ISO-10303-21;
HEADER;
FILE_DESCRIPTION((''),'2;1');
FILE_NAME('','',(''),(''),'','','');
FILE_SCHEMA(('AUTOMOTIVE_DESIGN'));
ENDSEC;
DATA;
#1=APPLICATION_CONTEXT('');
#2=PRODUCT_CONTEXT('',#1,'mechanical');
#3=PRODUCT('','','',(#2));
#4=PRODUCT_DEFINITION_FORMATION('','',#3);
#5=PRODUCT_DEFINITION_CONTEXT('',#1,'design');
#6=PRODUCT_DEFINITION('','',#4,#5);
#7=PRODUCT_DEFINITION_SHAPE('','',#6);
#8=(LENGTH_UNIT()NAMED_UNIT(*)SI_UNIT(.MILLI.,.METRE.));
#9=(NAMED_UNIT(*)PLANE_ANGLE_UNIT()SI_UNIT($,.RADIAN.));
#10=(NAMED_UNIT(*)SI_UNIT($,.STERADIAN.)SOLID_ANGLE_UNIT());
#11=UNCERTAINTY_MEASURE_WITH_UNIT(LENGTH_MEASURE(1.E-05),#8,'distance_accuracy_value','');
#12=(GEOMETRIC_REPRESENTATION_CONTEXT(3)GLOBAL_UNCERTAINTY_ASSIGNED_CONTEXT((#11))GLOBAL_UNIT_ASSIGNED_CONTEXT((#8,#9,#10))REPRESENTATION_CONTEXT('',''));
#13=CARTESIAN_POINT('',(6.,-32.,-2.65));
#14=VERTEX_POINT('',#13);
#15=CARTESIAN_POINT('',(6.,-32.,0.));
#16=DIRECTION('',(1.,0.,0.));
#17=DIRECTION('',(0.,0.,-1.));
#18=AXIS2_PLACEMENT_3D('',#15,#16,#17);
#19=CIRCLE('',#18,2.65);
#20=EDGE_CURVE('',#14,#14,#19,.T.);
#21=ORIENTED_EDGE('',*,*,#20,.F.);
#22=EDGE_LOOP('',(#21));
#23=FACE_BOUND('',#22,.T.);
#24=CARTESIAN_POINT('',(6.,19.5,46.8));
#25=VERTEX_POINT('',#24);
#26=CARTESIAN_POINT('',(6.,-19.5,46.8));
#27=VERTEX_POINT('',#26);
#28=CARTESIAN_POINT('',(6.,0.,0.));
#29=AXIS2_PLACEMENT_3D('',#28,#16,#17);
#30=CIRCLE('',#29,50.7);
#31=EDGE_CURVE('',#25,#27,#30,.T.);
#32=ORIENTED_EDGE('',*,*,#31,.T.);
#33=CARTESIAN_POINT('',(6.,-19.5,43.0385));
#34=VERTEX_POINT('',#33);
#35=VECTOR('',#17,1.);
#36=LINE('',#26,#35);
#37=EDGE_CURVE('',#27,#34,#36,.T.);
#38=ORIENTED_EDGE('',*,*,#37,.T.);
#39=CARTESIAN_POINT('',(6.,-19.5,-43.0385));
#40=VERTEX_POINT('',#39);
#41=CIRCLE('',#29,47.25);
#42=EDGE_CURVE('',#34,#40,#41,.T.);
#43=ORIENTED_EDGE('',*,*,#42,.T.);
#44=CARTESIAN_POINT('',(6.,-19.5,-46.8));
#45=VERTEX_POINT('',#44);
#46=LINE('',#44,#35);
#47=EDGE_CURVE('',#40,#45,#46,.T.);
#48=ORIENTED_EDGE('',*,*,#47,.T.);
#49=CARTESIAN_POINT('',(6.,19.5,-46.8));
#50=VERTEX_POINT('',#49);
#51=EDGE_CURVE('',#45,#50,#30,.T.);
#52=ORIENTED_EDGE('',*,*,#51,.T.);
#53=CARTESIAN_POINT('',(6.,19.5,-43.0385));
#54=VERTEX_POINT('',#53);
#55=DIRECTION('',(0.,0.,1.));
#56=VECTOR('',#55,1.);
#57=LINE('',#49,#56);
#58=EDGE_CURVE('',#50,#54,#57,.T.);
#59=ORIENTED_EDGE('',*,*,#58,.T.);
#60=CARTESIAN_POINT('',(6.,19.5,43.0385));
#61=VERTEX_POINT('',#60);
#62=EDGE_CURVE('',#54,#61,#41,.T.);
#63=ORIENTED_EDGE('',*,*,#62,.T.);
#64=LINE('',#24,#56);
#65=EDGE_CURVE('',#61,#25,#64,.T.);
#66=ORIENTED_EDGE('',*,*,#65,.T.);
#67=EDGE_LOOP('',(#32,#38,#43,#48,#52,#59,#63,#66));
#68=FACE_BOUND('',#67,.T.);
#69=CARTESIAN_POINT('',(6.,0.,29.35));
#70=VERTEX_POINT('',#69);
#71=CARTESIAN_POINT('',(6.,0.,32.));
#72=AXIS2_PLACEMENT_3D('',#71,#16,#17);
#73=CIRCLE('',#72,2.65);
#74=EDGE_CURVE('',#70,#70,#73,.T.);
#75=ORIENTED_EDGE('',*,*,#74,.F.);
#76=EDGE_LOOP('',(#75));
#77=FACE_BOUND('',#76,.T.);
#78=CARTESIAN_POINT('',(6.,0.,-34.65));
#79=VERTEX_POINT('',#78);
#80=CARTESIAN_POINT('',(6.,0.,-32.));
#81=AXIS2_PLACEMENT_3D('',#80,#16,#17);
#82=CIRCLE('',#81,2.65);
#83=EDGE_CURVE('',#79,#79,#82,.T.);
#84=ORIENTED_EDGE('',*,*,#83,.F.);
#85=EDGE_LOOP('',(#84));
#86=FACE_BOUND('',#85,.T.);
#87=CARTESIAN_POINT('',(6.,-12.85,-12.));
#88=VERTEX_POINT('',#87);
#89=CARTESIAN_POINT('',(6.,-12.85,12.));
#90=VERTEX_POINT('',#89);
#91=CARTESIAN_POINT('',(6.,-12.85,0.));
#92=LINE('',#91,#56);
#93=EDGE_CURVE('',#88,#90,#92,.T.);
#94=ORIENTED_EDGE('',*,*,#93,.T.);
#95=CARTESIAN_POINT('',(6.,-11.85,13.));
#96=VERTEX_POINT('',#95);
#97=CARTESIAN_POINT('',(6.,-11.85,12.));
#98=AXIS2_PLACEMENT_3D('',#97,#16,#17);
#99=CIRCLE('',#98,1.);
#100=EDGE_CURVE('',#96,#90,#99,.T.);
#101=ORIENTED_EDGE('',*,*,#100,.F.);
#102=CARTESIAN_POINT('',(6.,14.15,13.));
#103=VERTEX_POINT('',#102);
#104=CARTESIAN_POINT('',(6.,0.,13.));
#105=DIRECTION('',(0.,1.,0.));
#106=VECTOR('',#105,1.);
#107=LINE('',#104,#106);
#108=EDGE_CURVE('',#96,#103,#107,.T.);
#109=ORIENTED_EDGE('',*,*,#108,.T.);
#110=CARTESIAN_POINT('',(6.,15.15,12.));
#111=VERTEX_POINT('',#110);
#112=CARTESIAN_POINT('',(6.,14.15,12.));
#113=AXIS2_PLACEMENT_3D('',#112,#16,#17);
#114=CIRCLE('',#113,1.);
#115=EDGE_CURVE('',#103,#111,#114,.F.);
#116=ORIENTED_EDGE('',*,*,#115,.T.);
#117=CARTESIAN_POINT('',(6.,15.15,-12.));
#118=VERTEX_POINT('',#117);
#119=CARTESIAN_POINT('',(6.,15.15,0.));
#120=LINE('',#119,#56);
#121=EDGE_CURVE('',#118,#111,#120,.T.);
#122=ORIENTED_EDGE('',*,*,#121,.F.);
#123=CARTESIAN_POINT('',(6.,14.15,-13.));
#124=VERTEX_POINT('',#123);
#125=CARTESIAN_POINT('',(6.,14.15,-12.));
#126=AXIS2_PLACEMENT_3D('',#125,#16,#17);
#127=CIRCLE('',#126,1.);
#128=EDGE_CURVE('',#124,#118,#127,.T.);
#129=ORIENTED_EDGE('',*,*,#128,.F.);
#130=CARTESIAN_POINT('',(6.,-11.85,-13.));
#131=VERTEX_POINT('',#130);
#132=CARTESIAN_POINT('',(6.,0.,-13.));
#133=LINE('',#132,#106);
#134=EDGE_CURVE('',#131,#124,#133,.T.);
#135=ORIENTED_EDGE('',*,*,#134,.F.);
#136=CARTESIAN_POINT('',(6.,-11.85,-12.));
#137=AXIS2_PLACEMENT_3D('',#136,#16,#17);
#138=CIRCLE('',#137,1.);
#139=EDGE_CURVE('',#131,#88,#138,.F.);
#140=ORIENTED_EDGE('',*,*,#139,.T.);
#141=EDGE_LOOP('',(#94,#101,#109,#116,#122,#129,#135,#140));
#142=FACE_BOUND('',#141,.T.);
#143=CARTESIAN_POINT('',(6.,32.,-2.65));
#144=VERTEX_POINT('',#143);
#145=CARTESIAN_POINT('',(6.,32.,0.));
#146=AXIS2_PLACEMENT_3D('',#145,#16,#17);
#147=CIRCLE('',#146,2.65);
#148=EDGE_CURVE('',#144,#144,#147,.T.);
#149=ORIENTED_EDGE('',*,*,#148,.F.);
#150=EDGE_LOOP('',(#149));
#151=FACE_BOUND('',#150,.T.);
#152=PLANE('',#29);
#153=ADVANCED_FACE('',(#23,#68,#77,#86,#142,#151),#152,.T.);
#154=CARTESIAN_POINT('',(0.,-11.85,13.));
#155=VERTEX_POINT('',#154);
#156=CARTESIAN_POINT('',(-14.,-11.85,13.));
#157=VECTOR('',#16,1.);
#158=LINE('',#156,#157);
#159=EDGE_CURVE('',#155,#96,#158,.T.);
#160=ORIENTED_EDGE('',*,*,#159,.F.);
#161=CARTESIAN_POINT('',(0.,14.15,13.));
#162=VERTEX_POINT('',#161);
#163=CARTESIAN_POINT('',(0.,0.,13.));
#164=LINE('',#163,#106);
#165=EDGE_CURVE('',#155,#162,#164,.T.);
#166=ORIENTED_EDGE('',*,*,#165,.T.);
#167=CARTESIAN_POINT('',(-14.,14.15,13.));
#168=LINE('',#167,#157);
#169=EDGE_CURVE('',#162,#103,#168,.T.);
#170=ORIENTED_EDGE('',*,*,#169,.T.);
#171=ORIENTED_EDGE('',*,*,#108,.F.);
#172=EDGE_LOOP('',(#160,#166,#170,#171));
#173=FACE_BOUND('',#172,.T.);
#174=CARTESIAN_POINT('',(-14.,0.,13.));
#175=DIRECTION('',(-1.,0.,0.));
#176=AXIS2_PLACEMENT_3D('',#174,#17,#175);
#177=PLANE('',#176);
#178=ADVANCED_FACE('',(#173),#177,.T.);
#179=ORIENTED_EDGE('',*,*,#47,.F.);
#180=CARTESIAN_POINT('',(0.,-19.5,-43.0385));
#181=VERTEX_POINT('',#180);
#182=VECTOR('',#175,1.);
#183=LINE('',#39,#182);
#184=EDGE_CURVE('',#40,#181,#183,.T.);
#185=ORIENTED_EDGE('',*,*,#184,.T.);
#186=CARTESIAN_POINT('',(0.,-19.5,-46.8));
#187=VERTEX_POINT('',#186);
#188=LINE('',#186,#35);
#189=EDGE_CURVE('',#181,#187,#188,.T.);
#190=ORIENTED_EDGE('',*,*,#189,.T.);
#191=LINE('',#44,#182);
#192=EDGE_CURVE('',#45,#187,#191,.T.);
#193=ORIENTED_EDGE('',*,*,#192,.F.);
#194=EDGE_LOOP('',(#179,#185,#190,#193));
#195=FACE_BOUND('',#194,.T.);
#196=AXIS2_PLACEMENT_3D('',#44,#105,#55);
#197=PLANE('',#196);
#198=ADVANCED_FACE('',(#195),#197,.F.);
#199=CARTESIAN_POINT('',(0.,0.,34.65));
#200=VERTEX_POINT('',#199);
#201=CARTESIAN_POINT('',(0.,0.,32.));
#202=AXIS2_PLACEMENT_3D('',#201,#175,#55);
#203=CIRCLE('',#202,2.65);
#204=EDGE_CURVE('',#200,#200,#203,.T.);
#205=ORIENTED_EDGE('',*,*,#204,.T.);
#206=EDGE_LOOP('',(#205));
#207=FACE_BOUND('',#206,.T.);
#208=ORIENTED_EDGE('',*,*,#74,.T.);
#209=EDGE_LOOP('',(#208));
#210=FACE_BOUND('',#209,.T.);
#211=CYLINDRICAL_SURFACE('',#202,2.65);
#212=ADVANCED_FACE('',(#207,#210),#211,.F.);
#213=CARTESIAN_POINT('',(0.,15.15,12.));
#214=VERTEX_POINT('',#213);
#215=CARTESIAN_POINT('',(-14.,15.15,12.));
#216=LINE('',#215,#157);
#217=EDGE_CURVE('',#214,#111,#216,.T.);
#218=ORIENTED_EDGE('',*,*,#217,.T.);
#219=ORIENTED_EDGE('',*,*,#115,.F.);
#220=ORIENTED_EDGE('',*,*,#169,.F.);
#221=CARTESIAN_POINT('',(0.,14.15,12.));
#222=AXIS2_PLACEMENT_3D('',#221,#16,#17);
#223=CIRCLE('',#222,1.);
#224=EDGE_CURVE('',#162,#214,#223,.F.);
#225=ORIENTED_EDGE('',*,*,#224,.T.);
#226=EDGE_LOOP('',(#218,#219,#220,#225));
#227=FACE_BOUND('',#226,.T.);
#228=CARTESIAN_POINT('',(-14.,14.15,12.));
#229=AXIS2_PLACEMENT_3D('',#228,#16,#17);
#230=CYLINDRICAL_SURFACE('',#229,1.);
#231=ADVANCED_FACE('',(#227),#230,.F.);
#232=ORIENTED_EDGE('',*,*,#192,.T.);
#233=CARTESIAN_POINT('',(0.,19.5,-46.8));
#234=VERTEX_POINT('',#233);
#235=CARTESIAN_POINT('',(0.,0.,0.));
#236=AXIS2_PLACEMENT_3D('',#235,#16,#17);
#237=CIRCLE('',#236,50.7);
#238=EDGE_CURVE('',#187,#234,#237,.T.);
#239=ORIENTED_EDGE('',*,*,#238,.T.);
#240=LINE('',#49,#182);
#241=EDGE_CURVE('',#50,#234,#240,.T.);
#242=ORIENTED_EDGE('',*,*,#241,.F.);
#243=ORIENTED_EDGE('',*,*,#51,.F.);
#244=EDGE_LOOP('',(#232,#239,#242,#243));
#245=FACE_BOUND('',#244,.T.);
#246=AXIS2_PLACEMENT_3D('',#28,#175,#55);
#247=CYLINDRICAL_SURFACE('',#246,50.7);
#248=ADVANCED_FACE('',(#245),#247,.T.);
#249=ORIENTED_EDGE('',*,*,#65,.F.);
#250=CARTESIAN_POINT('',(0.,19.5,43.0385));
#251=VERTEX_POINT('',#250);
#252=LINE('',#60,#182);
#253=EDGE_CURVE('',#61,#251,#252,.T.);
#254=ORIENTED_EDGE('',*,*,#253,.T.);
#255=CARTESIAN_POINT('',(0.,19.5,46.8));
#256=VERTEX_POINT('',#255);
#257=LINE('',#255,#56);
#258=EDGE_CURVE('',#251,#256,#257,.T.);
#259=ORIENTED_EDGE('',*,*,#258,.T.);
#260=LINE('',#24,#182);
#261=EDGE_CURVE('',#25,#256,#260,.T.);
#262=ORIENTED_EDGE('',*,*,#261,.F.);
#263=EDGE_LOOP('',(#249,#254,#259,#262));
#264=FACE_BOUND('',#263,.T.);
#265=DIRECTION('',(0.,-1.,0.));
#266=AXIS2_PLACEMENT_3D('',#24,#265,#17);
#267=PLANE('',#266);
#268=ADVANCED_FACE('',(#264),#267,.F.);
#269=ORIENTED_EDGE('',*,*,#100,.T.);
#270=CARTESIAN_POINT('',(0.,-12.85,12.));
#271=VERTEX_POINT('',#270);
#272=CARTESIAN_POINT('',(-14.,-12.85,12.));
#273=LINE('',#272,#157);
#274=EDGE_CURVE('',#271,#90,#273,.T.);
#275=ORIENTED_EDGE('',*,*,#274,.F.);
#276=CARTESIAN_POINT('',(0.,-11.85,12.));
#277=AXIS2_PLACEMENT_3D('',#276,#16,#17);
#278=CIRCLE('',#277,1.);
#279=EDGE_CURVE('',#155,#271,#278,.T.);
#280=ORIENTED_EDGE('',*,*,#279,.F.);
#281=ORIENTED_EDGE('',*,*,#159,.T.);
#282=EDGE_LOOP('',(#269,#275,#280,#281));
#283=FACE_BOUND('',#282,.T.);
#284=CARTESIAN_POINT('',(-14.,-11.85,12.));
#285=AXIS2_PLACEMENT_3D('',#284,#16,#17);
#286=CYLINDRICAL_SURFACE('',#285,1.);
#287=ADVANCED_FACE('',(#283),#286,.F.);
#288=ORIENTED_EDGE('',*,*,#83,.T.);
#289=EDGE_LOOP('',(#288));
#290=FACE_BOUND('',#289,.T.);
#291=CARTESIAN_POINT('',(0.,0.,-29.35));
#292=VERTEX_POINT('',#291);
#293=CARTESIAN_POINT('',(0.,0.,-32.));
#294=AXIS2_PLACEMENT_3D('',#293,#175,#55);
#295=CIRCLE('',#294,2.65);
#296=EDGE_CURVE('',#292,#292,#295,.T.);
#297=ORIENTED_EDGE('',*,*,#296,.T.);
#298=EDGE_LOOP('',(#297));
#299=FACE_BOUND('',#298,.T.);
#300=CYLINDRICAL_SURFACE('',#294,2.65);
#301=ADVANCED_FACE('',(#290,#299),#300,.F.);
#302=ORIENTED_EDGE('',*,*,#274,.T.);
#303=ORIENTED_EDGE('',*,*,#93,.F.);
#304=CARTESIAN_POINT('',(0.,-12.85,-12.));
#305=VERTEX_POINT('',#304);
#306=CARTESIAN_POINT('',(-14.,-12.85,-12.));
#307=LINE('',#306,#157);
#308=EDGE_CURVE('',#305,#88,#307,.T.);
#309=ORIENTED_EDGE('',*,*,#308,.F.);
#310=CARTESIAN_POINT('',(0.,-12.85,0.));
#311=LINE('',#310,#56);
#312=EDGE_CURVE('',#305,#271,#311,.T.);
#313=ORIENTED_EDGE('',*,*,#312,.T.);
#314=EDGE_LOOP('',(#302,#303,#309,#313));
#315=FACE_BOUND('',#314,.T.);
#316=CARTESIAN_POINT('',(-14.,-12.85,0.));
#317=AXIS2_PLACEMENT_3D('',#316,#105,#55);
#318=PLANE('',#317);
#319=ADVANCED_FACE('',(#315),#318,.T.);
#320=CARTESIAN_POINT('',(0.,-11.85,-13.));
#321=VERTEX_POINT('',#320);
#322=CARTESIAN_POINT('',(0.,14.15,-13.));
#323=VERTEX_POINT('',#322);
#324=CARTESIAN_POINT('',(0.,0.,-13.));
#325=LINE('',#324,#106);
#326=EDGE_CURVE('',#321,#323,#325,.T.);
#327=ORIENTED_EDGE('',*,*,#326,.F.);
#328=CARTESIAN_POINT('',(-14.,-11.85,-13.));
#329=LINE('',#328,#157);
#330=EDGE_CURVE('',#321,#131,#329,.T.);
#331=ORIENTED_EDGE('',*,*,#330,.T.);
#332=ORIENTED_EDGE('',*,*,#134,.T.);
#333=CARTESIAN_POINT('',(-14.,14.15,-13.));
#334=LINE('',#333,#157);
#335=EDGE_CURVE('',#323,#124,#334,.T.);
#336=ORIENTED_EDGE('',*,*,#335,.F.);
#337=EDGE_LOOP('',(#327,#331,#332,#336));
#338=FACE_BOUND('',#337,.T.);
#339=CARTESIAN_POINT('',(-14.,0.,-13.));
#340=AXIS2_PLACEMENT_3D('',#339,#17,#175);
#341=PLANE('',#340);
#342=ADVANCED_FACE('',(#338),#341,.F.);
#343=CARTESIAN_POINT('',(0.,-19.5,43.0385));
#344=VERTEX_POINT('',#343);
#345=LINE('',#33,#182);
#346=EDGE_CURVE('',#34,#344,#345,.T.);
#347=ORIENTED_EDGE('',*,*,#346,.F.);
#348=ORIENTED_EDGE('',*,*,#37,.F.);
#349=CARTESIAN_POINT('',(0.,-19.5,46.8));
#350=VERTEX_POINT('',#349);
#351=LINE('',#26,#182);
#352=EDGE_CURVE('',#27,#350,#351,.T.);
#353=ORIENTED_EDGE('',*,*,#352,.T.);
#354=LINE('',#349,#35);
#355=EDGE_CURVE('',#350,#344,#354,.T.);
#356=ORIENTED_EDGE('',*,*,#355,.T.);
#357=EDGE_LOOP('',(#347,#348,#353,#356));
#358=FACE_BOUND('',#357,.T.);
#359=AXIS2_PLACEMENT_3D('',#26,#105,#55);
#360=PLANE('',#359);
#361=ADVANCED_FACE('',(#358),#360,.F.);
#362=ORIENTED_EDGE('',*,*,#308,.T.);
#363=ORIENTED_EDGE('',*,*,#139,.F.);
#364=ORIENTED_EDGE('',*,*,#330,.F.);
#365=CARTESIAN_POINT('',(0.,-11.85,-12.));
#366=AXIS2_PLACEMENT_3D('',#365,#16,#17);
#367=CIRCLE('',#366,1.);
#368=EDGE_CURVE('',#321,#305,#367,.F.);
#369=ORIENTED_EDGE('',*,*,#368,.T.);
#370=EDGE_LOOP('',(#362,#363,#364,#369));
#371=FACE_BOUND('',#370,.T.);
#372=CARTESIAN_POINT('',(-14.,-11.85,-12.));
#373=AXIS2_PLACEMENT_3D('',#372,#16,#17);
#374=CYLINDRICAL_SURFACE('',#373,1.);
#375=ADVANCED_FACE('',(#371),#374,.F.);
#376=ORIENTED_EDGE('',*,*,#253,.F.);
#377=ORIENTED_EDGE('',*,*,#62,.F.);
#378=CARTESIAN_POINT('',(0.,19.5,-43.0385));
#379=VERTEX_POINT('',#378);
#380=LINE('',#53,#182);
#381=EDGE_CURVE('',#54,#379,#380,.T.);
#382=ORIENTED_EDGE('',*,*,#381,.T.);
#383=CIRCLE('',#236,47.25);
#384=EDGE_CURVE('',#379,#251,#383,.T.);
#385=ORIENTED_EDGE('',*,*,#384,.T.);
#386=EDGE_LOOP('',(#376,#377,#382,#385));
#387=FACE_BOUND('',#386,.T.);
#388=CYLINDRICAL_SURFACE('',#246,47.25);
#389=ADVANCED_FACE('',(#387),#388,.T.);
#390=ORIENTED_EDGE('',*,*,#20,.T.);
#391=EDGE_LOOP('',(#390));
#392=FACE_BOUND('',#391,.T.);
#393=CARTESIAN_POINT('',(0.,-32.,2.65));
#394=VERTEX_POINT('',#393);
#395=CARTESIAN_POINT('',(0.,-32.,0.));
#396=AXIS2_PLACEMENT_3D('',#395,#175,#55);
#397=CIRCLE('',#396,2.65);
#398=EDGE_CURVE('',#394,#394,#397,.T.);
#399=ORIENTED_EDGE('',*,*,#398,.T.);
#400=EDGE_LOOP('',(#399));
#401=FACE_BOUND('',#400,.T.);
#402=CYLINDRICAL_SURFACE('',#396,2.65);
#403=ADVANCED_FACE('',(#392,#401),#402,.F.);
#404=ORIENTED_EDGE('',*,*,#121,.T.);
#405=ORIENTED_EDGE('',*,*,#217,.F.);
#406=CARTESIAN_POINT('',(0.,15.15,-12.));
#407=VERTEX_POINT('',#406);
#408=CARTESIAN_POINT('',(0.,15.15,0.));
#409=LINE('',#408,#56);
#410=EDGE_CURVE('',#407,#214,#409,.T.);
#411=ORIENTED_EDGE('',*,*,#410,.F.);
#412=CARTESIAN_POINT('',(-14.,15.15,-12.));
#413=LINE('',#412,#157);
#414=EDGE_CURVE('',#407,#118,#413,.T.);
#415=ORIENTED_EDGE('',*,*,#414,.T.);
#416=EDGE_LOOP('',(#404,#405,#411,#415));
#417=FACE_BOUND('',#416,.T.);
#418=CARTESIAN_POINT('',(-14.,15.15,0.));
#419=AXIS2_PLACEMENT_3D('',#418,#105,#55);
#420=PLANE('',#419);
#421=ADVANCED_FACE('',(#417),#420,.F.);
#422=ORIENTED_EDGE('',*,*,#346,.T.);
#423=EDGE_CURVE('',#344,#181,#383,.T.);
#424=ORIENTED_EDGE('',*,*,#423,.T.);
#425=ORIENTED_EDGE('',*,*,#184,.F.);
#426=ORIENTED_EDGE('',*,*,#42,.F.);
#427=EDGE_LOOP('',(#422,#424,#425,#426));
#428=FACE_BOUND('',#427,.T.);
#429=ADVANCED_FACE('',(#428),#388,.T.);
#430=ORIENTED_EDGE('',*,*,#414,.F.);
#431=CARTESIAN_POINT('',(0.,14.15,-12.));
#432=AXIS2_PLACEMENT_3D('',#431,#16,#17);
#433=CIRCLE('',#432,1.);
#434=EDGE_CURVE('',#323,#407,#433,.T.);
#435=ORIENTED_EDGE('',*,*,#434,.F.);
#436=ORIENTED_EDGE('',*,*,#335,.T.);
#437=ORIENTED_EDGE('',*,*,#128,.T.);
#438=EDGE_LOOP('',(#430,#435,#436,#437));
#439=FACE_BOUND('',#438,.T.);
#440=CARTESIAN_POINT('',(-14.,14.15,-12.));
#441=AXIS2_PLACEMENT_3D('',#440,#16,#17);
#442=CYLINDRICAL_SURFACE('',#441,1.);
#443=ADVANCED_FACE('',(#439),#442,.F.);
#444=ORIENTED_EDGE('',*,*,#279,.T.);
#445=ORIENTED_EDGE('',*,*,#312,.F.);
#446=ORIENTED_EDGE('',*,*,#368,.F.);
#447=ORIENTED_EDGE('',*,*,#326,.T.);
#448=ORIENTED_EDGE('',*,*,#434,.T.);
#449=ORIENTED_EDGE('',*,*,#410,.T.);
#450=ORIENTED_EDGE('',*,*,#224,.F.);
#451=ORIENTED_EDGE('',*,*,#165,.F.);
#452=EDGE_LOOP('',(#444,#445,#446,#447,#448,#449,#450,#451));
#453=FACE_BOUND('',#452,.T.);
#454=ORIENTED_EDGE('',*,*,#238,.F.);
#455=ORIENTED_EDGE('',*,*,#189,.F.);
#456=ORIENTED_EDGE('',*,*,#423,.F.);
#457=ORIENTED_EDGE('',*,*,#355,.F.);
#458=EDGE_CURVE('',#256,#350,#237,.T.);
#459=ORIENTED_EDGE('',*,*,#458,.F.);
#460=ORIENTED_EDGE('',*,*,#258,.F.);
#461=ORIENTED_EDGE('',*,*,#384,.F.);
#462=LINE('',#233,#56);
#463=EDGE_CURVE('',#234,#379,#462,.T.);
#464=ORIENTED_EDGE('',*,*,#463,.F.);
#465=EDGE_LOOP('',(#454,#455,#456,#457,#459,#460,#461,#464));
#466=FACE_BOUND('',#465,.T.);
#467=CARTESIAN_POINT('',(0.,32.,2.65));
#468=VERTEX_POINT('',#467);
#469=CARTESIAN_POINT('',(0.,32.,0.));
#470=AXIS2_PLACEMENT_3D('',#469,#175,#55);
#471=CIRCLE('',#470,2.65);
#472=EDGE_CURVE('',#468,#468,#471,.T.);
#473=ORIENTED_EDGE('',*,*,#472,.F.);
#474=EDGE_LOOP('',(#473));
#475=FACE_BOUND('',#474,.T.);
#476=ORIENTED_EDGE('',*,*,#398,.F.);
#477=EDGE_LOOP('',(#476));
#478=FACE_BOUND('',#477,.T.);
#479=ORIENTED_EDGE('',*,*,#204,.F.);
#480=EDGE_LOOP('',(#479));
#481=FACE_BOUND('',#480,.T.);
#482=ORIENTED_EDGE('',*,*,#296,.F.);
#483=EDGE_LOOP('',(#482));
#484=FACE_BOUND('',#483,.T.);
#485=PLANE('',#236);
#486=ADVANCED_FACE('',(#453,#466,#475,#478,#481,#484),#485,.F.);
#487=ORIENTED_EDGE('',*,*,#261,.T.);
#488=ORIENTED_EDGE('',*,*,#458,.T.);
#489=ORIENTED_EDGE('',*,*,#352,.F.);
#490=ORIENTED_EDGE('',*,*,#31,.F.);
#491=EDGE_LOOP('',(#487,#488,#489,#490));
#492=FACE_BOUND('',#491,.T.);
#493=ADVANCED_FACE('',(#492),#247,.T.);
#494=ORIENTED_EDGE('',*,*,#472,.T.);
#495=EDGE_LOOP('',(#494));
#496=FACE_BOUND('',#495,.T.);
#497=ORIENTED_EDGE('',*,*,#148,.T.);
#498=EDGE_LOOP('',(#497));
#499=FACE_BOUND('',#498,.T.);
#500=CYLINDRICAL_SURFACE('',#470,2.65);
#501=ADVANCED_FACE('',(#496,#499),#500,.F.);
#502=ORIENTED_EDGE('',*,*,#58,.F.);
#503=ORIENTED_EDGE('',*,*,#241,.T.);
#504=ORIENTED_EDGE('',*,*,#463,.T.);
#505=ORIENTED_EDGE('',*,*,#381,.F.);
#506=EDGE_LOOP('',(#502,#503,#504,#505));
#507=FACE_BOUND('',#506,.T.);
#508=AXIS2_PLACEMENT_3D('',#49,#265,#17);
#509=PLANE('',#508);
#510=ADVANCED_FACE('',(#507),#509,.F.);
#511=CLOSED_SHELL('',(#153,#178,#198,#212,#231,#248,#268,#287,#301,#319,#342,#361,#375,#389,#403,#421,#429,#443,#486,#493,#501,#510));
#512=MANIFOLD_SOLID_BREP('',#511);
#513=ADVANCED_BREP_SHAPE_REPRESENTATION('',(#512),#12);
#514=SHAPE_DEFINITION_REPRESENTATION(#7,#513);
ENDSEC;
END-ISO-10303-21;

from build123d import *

# Parameters (mm, degrees)
BOSS_EXTRUDE1_DEPTH      = 6
CUT_EXTRUDE1_DEPTH       = 20
M5_CLEARANCE_HOLE1_D     = 5.3
M5_CLEARANCE_HOLE1_DEPTH = 15
M5_CLEARANCE_HOLE1_TIP   = 1.59228064


with BuildPart() as part:
    # Sketch1 → Boss-Extrude1 (new body)
    with BuildSketch(Plane(origin=(0, 0, 0), x_dir=(0, 0, -1), z_dir=(1, 0, 0))):
        with BuildLine():
            Line((-46.8, 19.5), (-43.038500206, 19.5))
            ThreePointArc((-43.038500206, 19.5), (0, 47.25), (43.038500206, 19.5))
            Line((43.038500206, 19.5), (46.8, 19.5))
            ThreePointArc((46.8, 19.5), (50.7, 0), (46.8, -19.5))
            Line((46.8, -19.5), (43.038500206, -19.5))
            ThreePointArc((43.038500206, -19.5), (0, -47.25), (-43.038500206, -19.5))
            Line((-43.038500206, -19.5), (-46.8, -19.5))
            ThreePointArc((-46.8, -19.5), (-50.7, 0), (-46.8, 19.5))
        make_face()
    extrude(amount=BOSS_EXTRUDE1_DEPTH)

    # Sketch2 → Cut-Extrude1 (cut)
    with BuildSketch(Plane(origin=(6, 0, 0), x_dir=(0, 0, -1), z_dir=(1, 0, 0))):
        with BuildLine():
            ThreePointArc((12, -11.85), (12.707106781, -11.557106781), (13, -10.85))
            Line((13, -10.85), (13, -3.85))
            Line((13, -3.85), (13, 14.15))
            ThreePointArc((13, 14.15), (12.707106781, 14.857106781), (12, 15.15))
            Line((12, 15.15), (-12, 15.15))
            ThreePointArc((-12, 15.15), (-12.707106781, 14.857106781), (-13, 14.15))
            Line((-13, 14.15), (-13, -3.85))
            Line((-13, -3.85), (-13, -10.85))
            ThreePointArc((-13, -10.85), (-12.707106781, -11.557106781), (-12, -11.85))
            Line((-12, -11.85), (12, -11.85))
        make_face()
        with BuildLine():
            Line((-12, -12.85), (12, -12.85))
            ThreePointArc((12, -12.85), (12.707106781, -12.557106781), (13, -11.85))
            Line((13, -11.85), (13, -10.85))
            ThreePointArc((13, -10.85), (12.707106781, -11.557106781), (12, -11.85))
            Line((12, -11.85), (-12, -11.85))
            ThreePointArc((-12, -11.85), (-12.707106781, -11.557106781), (-13, -10.85))
            Line((-13, -10.85), (-13, -11.85))
            ThreePointArc((-13, -11.85), (-12.707106781, -12.557106781), (-12, -12.85))
        make_face()
    extrude(amount=-CUT_EXTRUDE1_DEPTH, mode=Mode.SUBTRACT)

    # M5 Clearance Hole1
    with Locations(Plane.ZY):
        with Locations((-32, 0), (0, 32), (32, 0), (0, -32)):
            Hole(M5_CLEARANCE_HOLE1_D / 2, depth=M5_CLEARANCE_HOLE1_DEPTH)
            with Locations((0, 0, -(M5_CLEARANCE_HOLE1_DEPTH + M5_CLEARANCE_HOLE1_TIP / 2))):  # 118° drill point
                Cone(0, M5_CLEARANCE_HOLE1_D / 2, M5_CLEARANCE_HOLE1_TIP, mode=Mode.SUBTRACT)


solid = part.part
